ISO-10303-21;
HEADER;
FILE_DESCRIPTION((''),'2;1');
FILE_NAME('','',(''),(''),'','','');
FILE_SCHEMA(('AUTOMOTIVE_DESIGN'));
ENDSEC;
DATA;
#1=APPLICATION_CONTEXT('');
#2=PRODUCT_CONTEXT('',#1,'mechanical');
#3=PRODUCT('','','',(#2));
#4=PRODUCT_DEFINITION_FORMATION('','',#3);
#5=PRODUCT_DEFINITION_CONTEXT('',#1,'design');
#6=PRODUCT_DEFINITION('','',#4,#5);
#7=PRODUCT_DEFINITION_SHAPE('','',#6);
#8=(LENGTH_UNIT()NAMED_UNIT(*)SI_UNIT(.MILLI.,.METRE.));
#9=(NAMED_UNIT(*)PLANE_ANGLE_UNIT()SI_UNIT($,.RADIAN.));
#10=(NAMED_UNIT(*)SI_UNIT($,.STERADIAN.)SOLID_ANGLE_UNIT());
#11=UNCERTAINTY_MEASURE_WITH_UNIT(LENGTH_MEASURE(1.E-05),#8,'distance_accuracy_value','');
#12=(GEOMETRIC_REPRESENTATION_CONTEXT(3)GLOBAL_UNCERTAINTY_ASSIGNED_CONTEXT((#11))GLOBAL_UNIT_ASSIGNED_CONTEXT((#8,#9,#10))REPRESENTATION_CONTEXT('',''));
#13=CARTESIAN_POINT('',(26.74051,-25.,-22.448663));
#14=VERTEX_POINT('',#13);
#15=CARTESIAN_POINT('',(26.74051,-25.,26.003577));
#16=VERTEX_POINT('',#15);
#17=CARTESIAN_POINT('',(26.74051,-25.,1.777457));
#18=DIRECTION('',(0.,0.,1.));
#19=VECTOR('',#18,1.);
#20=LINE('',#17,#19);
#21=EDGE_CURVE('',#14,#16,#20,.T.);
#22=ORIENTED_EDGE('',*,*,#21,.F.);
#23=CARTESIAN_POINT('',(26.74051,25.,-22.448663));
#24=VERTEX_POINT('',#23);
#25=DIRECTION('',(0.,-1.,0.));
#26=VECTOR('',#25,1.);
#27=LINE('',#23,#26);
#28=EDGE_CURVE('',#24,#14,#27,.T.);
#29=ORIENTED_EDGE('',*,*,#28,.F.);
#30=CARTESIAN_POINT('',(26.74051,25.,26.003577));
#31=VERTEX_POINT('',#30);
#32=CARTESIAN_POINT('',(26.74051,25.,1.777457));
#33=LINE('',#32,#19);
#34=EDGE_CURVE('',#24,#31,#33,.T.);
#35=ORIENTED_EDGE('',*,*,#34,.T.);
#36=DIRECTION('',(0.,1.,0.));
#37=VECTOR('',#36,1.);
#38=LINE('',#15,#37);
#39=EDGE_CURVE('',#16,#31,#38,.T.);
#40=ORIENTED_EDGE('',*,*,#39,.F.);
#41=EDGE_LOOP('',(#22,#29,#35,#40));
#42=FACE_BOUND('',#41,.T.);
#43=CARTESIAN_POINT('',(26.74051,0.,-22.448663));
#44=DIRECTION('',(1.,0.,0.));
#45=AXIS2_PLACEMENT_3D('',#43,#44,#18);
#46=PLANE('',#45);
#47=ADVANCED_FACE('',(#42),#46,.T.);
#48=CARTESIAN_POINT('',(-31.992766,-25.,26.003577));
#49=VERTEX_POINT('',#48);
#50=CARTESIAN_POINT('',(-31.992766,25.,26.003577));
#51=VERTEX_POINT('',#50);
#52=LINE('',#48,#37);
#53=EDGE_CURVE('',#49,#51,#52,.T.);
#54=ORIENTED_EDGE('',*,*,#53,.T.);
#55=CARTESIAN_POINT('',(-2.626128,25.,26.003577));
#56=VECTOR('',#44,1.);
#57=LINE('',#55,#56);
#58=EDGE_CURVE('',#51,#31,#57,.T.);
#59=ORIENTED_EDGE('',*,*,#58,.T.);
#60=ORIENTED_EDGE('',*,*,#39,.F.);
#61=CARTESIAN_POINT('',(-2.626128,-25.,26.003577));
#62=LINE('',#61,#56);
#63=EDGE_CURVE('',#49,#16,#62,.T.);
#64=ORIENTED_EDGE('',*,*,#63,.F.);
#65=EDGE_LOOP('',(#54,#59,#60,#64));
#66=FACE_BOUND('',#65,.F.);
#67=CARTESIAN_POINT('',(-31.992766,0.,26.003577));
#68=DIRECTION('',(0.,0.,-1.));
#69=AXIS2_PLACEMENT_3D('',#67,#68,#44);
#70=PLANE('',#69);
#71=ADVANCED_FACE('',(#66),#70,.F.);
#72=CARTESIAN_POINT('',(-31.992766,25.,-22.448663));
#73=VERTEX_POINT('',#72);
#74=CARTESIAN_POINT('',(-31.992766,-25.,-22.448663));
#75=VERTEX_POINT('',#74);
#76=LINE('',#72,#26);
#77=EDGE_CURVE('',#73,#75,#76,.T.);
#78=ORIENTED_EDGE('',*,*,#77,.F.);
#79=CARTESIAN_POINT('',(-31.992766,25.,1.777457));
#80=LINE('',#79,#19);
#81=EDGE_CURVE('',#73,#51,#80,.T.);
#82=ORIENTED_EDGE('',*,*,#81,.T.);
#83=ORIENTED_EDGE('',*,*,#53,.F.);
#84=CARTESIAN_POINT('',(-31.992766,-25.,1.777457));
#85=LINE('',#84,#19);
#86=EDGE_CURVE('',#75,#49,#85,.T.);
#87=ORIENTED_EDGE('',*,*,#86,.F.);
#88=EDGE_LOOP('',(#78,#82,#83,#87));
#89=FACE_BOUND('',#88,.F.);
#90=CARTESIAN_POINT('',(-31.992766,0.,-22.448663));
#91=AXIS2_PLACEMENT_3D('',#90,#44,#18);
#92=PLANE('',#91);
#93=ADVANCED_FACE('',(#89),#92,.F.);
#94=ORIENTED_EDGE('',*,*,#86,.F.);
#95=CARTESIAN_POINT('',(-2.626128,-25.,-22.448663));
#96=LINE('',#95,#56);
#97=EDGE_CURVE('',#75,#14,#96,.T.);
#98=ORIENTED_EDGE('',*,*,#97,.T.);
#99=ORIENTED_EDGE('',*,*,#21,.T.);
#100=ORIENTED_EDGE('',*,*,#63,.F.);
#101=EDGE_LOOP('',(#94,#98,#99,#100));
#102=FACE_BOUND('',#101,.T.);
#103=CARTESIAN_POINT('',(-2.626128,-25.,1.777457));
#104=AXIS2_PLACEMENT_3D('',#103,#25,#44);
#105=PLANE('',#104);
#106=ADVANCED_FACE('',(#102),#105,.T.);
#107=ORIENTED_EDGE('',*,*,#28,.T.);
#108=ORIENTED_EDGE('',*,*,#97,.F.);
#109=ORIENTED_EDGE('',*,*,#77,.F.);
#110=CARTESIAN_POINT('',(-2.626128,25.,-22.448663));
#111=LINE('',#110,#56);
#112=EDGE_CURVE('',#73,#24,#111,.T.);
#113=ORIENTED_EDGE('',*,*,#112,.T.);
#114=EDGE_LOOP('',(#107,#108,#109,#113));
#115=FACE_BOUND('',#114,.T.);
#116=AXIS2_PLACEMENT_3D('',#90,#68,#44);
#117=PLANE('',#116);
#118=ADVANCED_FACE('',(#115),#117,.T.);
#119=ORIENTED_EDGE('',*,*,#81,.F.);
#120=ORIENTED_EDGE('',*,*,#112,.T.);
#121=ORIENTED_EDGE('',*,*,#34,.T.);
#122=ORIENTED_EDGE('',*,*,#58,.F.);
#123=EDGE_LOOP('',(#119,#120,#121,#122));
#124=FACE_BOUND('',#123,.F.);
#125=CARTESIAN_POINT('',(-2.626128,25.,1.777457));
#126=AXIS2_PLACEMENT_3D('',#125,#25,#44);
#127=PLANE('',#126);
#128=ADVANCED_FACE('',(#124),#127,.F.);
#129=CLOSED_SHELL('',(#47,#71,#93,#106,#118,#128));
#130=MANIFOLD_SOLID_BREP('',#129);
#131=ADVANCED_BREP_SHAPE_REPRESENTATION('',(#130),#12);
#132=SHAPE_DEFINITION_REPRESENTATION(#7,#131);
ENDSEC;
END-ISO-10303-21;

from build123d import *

# Parameters (mm, degrees)
F0_W     = 58.733277
F0_H     = 48.45224
F1_DEPTH = 25
F3_DEPTH = 50


with BuildPart() as f1:
    # F0 (on Front) → F1 (new body, symmetric)
    with BuildSketch(Plane.XZ):
        with Locations((-2.626128, 1.777457)):
            Rectangle(F0_W, F0_H)
    extrude(amount=F1_DEPTH, both=True)

    # F2 (on face) → F3 (join)
    with BuildSketch(Plane.XZ.offset(25)):
        with BuildLine():
            Line((26.74051, -4.699446), (26.74051, 4.699446))
            ThreePointArc((26.74051, 4.699446), (1.953358, 0), (26.74051, -4.699446))
        make_face()
    extrude(amount=-F3_DEPTH)


solid = f1.part
